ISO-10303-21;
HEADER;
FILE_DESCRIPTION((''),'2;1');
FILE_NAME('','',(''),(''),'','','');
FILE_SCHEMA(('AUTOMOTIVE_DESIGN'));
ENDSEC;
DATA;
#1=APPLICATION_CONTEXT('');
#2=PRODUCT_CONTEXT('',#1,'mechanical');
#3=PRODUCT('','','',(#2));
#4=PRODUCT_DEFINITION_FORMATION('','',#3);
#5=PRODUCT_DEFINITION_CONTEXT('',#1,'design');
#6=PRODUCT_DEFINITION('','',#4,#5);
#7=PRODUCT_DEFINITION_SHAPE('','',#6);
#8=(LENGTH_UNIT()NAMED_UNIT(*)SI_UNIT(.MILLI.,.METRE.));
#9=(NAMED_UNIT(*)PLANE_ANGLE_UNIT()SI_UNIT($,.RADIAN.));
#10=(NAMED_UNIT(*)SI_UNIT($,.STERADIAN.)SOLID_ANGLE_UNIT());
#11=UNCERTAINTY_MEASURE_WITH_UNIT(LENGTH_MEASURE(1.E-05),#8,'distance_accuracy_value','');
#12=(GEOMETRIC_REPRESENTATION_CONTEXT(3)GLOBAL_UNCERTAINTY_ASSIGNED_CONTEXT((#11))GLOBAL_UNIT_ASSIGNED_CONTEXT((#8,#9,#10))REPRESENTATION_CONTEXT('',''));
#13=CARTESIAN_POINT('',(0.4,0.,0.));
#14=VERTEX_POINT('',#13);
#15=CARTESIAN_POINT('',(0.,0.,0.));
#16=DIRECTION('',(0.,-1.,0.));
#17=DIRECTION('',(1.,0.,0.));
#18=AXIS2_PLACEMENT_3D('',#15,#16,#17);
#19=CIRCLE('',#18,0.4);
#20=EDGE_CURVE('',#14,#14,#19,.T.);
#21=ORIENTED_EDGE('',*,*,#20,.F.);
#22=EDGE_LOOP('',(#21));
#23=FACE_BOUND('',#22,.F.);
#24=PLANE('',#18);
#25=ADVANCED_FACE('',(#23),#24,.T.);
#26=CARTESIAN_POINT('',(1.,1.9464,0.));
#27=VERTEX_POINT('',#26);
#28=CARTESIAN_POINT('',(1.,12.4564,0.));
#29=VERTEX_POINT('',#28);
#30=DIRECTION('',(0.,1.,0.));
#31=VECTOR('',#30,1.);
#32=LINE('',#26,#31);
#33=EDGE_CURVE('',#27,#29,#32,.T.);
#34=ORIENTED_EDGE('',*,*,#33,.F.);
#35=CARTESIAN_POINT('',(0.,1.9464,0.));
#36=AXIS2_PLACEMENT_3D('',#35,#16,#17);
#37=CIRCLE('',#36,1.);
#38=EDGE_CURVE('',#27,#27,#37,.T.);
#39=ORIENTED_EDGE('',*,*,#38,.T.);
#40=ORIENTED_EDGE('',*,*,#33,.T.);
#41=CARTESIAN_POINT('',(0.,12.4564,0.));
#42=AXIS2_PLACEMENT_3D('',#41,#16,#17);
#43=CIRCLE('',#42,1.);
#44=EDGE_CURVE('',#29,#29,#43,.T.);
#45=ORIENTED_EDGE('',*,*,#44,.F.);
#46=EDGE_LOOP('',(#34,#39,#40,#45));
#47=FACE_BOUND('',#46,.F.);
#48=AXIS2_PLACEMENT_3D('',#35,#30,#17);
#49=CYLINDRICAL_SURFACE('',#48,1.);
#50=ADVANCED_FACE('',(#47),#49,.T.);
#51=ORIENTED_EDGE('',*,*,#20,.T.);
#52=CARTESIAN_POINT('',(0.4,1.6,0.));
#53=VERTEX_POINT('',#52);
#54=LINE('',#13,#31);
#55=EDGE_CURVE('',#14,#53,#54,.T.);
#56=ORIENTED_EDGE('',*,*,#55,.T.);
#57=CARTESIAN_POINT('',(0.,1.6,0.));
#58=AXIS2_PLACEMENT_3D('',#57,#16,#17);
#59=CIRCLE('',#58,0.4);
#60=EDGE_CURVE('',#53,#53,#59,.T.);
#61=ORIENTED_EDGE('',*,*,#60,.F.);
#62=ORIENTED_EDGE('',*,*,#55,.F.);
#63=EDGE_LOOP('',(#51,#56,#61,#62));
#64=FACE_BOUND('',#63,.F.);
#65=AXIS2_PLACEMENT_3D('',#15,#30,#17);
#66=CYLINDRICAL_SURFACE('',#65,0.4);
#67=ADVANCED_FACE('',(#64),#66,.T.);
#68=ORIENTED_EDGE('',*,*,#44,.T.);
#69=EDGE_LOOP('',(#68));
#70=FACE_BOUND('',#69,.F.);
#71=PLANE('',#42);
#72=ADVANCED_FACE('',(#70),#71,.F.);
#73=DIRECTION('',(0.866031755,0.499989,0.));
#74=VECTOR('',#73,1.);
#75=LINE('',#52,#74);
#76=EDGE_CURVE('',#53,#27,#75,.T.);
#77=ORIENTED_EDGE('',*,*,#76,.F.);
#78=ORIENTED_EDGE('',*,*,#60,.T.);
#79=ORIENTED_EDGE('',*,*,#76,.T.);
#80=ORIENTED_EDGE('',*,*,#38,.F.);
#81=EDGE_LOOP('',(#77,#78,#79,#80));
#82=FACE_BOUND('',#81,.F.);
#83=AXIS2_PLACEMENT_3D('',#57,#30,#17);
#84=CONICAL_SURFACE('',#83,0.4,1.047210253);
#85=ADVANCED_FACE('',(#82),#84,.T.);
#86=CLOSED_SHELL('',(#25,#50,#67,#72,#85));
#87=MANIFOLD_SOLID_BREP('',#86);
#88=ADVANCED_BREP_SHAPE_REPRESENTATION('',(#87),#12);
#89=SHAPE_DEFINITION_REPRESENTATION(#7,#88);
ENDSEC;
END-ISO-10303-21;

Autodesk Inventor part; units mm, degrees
ref_plane "YZ Plane" through (0, 0, 0) normal (1, 0, 0) x (0, 1, 0)
ref_plane "XZ Plane" through (0, 0, 0) normal (0, 1, 0) x (-1, 0, 0)
ref_plane "XY Plane" through (0, 0, 0) normal (0, 0, 1) x (1, 0, 0)
sketch "Boceto1" plane through (0, 0, 0) normal (0, 0, 1) x (1, 0, 0)
  line L0 (0.4, 0) -> (0.4, 1.6)
  line L1 (0.4, 1.6) -> (1, 1.9464)
  line L2 (1, 1.9464) -> (1, 12.4564)
  line L3 (-0.2, 0) -> (1.2, 0) projected
  line L4 (1, 12.4564) -> (0, 12.4564)
  line L5 (0, 0) -> (0.4, 0)
  line L6 (0, 12.4564) -> (0, 0)
  dimension "d1" = 0.4
  dimension "d2" = 1.6
  dimension "d4" = 10.51
  dimension "d8" = 60
  dimension "d9" = 1
revolve "Revolución1" add sketch "Boceto1" angle 360 about axis through (0, 12.4564, 0) along (0, -1, 0)
equation "\"d1\" = 0.5 * Dc"
equation "\"d2\" = Lc"
equation "\"d4\" = Ln"
equation "\"d8\" = alfa"
equation "\"d9\" = 0.5 * Do"
equation "\"Dc\" = 0.8"
equation "\"Lc\" = 1.6"
equation "\"Ln\" = 10.51"
equation "\"Do\" = 2"
equation "\"alfa\" = 60deg"
properties part number "Boquilla0.8"
